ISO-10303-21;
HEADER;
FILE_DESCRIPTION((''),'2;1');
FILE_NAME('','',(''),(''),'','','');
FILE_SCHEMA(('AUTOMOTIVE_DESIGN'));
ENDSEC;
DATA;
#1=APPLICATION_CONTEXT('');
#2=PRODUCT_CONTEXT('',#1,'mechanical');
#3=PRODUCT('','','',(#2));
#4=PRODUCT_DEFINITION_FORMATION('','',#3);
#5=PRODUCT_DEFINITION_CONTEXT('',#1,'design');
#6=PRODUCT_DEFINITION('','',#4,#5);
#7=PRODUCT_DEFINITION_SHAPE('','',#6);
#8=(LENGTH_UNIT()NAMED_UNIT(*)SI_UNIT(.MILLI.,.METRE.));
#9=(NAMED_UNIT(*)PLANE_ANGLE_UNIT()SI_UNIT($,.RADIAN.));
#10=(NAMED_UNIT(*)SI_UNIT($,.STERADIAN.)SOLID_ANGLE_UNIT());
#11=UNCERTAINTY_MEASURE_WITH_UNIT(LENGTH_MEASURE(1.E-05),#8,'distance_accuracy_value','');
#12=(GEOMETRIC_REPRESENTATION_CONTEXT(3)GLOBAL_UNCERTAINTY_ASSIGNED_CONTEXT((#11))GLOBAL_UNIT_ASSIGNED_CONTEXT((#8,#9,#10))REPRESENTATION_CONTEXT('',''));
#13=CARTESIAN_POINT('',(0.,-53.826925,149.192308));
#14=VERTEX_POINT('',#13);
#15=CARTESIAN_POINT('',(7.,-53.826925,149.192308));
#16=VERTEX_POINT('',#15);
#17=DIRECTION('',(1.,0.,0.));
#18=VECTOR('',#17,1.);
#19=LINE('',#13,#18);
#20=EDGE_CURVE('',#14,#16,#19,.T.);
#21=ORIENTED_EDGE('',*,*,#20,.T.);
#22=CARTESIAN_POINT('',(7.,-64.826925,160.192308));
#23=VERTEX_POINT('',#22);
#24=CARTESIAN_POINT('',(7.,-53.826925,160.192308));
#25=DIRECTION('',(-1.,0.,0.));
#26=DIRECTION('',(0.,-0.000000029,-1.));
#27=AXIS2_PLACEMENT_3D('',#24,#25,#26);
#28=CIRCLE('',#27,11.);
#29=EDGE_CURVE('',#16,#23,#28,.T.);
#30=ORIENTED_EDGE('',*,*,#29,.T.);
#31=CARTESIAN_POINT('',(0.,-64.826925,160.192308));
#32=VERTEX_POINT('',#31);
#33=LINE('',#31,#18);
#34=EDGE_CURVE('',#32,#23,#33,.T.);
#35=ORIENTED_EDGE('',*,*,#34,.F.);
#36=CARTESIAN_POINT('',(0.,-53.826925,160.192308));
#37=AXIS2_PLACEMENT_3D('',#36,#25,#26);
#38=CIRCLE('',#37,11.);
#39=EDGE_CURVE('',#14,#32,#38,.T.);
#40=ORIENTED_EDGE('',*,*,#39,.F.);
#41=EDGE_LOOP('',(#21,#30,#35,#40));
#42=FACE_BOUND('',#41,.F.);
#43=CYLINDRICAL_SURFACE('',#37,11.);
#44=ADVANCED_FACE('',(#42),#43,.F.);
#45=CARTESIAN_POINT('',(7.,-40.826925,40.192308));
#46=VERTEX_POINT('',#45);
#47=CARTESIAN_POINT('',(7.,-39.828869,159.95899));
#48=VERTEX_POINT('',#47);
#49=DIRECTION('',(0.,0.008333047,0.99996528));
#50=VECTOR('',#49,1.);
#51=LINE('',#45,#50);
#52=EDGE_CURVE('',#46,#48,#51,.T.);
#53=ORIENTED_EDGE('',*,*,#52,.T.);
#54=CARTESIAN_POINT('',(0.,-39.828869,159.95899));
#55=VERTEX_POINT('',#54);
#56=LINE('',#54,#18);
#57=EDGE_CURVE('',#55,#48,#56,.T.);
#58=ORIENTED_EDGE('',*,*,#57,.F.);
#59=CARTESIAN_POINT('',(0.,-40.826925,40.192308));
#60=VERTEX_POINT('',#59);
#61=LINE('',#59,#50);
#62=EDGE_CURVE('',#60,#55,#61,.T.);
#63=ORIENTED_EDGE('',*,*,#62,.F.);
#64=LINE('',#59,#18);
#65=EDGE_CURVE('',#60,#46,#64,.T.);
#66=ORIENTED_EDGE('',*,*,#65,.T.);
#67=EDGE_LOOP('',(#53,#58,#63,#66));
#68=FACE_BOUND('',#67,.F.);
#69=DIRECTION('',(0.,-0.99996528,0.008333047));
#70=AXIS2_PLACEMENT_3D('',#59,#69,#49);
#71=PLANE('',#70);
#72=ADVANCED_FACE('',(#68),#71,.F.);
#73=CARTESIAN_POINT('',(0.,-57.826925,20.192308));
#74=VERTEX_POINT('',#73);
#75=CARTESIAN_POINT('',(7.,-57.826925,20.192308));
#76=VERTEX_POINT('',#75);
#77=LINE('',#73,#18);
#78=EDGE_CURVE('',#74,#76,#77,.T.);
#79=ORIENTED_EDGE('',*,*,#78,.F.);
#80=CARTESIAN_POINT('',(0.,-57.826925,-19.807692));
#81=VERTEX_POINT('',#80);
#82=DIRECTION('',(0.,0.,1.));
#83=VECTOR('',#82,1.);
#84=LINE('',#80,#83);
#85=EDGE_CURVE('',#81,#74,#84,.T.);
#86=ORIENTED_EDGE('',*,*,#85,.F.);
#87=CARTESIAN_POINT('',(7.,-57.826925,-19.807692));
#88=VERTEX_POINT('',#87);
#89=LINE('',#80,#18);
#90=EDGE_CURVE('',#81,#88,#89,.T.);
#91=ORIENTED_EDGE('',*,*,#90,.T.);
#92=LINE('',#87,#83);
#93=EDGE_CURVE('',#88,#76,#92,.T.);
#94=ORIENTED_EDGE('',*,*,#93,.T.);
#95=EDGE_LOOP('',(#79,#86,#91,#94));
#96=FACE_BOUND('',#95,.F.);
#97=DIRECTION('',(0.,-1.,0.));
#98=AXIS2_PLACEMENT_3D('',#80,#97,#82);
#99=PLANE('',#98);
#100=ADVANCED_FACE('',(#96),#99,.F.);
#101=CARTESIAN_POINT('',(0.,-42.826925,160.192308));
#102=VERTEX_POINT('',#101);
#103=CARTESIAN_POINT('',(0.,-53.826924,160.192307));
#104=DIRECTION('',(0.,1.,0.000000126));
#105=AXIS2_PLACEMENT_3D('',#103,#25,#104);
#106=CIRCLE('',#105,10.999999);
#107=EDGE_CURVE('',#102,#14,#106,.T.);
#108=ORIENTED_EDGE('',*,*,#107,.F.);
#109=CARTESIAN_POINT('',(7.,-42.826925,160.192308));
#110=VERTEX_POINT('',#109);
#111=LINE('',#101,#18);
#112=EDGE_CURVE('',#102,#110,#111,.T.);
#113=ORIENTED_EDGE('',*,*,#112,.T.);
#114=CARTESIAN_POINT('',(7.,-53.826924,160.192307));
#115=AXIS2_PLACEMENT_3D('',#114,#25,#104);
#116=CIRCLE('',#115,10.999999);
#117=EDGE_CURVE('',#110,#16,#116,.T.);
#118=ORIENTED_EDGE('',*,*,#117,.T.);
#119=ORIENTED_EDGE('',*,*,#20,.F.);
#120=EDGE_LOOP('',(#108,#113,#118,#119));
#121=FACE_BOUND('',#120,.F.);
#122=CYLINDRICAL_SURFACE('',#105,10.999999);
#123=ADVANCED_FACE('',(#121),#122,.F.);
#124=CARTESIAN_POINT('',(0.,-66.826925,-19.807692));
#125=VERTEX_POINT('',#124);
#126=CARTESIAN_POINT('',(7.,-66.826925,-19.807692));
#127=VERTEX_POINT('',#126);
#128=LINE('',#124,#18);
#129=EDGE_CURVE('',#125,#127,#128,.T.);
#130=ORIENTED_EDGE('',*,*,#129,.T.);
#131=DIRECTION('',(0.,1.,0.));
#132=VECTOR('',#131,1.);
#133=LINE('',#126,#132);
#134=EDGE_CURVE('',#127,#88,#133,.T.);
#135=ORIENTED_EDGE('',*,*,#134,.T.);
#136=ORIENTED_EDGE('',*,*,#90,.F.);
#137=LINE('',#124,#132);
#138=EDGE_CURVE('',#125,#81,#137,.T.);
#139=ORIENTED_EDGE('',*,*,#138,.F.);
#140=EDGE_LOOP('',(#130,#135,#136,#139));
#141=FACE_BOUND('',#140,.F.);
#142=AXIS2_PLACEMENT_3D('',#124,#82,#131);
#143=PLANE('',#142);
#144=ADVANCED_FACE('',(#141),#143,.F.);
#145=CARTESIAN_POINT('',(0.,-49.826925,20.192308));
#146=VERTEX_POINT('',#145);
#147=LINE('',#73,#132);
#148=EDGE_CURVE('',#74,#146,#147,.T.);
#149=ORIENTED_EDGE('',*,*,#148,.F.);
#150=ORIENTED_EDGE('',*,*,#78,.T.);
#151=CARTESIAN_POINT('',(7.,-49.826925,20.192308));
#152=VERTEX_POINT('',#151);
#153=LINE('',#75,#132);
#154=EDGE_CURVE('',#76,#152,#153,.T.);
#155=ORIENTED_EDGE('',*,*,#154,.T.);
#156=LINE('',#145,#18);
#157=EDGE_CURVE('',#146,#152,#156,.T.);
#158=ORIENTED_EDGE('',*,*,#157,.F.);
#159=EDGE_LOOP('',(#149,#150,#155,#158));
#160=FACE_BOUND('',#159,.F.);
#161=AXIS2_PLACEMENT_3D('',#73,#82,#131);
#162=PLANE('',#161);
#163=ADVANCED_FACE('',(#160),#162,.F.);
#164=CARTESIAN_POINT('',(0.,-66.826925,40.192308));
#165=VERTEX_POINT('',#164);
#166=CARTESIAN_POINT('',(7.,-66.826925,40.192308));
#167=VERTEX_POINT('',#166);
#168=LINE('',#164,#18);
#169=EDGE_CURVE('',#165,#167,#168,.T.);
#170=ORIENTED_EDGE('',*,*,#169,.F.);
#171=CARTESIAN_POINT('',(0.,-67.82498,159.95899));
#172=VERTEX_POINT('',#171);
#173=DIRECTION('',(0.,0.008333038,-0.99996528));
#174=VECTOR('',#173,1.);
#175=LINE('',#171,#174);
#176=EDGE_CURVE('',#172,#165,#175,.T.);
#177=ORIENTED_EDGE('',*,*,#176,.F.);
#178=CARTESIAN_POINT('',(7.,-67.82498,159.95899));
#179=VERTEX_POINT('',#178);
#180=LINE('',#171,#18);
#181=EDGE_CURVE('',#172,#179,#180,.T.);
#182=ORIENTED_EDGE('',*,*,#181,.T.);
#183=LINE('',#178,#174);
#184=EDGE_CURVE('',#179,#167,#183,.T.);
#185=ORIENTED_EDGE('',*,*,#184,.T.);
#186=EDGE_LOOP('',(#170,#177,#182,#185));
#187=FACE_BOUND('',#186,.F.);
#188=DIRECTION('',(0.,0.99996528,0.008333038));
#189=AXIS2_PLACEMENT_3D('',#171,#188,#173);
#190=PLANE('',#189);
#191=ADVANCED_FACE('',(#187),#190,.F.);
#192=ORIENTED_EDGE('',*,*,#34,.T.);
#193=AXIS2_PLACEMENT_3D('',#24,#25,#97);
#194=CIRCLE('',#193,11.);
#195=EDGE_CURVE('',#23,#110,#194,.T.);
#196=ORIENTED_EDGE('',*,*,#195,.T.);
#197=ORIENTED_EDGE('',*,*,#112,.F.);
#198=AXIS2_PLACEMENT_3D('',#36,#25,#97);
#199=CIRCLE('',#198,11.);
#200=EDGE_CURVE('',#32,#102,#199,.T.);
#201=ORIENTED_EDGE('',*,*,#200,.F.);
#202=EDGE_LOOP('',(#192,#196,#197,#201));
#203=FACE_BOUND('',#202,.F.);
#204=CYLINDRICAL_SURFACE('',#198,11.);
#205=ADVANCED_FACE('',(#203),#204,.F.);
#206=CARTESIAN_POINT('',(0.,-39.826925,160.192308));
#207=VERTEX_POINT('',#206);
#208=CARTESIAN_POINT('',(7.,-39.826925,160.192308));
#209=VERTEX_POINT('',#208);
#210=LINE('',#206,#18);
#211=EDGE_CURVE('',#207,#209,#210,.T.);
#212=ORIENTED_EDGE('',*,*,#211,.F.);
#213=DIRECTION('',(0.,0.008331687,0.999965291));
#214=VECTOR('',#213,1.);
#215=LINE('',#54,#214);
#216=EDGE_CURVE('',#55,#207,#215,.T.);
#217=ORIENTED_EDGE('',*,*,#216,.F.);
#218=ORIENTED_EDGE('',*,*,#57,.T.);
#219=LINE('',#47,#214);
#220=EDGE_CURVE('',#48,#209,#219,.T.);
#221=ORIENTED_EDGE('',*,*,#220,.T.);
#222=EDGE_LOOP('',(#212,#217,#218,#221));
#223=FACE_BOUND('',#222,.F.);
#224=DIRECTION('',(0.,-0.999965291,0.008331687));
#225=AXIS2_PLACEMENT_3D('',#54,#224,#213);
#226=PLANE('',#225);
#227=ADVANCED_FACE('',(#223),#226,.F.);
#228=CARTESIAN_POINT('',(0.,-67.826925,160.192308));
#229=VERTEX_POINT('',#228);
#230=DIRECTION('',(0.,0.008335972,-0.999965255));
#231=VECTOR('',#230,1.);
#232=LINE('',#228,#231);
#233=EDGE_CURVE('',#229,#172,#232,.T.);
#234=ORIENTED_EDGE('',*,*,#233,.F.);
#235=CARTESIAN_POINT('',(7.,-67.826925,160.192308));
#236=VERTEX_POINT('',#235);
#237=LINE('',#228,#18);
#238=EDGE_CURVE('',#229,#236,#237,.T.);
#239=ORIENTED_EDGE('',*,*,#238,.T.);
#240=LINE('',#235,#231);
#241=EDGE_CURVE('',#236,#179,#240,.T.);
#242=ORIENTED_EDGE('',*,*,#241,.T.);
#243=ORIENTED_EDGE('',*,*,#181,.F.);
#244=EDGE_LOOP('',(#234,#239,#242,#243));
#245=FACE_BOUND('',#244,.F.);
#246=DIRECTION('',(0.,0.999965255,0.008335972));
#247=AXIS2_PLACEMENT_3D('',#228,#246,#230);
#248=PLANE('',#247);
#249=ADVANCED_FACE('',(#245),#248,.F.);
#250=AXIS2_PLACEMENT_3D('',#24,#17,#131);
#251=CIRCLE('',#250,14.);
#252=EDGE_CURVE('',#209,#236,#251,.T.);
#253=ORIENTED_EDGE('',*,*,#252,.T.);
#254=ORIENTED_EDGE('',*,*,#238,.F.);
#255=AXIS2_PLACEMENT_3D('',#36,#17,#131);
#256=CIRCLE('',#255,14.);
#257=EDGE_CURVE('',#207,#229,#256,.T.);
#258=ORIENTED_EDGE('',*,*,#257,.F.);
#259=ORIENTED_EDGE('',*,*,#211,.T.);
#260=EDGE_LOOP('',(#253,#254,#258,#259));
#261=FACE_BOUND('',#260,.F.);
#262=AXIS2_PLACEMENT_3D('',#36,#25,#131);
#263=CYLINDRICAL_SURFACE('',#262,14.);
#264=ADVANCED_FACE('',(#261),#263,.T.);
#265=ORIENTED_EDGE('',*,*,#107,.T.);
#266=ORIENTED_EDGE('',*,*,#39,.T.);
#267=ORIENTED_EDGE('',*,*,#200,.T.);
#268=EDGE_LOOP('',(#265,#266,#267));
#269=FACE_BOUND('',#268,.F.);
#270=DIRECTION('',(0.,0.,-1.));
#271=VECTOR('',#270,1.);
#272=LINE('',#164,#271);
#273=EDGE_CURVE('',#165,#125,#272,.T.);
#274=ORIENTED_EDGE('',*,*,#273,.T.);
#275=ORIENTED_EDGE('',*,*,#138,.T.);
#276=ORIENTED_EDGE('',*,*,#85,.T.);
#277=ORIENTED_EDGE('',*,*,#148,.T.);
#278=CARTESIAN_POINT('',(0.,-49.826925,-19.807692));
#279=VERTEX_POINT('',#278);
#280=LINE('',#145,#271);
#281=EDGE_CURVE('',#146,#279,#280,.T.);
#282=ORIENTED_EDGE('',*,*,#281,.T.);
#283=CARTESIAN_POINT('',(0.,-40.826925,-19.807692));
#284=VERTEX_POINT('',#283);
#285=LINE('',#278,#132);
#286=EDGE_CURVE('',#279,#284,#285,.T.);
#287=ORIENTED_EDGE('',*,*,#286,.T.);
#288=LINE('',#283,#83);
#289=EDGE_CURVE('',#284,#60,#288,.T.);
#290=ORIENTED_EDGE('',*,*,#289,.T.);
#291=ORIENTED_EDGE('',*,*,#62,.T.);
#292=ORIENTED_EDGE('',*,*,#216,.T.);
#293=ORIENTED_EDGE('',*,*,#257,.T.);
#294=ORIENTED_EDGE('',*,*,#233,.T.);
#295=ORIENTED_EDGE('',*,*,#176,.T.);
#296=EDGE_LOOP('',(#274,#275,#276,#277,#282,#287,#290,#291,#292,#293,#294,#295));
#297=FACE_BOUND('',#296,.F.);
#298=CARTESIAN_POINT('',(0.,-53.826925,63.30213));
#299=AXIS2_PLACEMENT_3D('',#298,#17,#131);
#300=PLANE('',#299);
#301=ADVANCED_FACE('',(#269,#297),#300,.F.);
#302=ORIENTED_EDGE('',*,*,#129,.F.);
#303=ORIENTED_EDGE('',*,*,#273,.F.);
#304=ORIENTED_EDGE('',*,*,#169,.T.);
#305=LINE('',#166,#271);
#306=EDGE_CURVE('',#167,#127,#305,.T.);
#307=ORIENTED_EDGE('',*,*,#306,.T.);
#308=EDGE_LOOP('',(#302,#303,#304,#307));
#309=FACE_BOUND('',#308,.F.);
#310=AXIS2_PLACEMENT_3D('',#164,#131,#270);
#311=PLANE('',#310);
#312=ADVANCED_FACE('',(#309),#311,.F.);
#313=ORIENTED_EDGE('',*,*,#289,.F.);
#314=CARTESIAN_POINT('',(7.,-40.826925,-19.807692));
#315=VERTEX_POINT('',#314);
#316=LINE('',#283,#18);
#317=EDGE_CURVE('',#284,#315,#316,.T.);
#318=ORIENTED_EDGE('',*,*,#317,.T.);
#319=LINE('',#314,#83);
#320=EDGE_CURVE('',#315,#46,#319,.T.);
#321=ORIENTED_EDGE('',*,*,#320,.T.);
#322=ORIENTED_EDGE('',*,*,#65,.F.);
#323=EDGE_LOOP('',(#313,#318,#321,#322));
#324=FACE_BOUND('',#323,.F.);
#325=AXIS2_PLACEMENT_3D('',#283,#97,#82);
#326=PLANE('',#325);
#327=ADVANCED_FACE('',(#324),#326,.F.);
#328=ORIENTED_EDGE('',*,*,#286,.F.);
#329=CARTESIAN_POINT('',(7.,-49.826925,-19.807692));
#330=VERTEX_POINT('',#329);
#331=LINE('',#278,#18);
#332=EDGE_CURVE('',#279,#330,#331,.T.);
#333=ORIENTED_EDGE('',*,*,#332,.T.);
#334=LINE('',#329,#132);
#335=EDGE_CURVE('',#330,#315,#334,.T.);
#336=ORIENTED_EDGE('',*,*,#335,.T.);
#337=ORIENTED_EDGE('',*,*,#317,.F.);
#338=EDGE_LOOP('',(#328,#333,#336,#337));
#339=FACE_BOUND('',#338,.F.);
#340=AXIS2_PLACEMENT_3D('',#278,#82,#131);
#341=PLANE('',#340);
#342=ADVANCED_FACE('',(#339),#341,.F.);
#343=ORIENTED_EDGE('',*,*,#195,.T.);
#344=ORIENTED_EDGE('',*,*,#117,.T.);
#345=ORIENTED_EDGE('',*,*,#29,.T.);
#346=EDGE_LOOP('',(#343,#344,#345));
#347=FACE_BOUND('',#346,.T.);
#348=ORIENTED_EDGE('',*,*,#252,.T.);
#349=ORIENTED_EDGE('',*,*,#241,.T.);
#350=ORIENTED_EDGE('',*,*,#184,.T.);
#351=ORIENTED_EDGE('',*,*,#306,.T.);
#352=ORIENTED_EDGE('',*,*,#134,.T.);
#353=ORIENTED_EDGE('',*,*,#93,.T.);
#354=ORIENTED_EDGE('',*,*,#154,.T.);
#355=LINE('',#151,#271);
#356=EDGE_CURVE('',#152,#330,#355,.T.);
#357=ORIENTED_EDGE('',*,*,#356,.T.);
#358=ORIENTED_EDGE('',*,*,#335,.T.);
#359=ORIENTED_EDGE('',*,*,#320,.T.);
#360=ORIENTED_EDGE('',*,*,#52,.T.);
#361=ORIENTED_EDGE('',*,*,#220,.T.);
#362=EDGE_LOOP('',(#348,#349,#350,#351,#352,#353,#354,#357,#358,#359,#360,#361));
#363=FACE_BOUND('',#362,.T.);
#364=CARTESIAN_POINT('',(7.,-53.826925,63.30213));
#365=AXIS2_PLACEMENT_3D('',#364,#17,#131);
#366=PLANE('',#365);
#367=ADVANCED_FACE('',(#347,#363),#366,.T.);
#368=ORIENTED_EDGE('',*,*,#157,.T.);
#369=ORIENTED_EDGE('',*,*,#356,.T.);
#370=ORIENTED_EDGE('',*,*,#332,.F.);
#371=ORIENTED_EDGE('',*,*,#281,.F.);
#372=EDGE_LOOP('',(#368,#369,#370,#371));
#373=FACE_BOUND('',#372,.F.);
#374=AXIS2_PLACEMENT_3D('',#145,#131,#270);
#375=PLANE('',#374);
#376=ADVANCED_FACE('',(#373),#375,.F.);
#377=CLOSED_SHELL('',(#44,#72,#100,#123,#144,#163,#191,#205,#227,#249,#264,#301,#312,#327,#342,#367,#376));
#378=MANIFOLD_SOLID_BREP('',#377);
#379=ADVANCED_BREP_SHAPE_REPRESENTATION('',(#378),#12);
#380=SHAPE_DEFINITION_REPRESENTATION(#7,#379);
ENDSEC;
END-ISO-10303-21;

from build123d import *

# Parameters (mm, degrees)
F1_DEPTH = 7


with BuildPart() as f1:
    # F0 (on Right) → F1 (new body)
    with BuildSketch(Plane.YZ):
        with BuildLine():
            Line((-57.826925, -19.807692), (-57.826925, 20.192308))
            Line((-57.826925, 20.192308), (-49.826925, 20.192308))
            Line((-49.826925, 20.192308), (-49.826925, -19.807692))
            Line((-49.826925, -19.807692), (-40.826925, -19.807692))
            Line((-40.826925, -19.807692), (-40.826925, 40.192308))
            Line((-40.826925, 40.192308), (-39.828869, 159.95899))
            Line((-39.828869, 159.95899), (-39.826925, 160.192308))
            ThreePointArc((-39.826925, 160.192308), (-53.826925, 174.192308), (-67.826925, 160.192308))
            Line((-67.826925, 160.192308), (-67.82498, 159.95899))
            Line((-67.82498, 159.95899), (-66.826925, 40.192308))
            Line((-66.826925, 40.192308), (-66.826925, -19.807692))
            Line((-66.826925, -19.807692), (-57.826925, -19.807692))
        make_face()
        with BuildLine():
            ThreePointArc((-42.826925, 160.192308), (-46.04875, 152.414133), (-53.826925, 149.192308))
            ThreePointArc((-53.826925, 149.192308), (-61.605099, 152.414133), (-64.826925, 160.192308))
            ThreePointArc((-64.826925, 160.192308), (-53.826925, 171.192308), (-42.826925, 160.192308))
        make_face(mode=Mode.SUBTRACT)
    extrude(amount=F1_DEPTH)


solid = f1.part
